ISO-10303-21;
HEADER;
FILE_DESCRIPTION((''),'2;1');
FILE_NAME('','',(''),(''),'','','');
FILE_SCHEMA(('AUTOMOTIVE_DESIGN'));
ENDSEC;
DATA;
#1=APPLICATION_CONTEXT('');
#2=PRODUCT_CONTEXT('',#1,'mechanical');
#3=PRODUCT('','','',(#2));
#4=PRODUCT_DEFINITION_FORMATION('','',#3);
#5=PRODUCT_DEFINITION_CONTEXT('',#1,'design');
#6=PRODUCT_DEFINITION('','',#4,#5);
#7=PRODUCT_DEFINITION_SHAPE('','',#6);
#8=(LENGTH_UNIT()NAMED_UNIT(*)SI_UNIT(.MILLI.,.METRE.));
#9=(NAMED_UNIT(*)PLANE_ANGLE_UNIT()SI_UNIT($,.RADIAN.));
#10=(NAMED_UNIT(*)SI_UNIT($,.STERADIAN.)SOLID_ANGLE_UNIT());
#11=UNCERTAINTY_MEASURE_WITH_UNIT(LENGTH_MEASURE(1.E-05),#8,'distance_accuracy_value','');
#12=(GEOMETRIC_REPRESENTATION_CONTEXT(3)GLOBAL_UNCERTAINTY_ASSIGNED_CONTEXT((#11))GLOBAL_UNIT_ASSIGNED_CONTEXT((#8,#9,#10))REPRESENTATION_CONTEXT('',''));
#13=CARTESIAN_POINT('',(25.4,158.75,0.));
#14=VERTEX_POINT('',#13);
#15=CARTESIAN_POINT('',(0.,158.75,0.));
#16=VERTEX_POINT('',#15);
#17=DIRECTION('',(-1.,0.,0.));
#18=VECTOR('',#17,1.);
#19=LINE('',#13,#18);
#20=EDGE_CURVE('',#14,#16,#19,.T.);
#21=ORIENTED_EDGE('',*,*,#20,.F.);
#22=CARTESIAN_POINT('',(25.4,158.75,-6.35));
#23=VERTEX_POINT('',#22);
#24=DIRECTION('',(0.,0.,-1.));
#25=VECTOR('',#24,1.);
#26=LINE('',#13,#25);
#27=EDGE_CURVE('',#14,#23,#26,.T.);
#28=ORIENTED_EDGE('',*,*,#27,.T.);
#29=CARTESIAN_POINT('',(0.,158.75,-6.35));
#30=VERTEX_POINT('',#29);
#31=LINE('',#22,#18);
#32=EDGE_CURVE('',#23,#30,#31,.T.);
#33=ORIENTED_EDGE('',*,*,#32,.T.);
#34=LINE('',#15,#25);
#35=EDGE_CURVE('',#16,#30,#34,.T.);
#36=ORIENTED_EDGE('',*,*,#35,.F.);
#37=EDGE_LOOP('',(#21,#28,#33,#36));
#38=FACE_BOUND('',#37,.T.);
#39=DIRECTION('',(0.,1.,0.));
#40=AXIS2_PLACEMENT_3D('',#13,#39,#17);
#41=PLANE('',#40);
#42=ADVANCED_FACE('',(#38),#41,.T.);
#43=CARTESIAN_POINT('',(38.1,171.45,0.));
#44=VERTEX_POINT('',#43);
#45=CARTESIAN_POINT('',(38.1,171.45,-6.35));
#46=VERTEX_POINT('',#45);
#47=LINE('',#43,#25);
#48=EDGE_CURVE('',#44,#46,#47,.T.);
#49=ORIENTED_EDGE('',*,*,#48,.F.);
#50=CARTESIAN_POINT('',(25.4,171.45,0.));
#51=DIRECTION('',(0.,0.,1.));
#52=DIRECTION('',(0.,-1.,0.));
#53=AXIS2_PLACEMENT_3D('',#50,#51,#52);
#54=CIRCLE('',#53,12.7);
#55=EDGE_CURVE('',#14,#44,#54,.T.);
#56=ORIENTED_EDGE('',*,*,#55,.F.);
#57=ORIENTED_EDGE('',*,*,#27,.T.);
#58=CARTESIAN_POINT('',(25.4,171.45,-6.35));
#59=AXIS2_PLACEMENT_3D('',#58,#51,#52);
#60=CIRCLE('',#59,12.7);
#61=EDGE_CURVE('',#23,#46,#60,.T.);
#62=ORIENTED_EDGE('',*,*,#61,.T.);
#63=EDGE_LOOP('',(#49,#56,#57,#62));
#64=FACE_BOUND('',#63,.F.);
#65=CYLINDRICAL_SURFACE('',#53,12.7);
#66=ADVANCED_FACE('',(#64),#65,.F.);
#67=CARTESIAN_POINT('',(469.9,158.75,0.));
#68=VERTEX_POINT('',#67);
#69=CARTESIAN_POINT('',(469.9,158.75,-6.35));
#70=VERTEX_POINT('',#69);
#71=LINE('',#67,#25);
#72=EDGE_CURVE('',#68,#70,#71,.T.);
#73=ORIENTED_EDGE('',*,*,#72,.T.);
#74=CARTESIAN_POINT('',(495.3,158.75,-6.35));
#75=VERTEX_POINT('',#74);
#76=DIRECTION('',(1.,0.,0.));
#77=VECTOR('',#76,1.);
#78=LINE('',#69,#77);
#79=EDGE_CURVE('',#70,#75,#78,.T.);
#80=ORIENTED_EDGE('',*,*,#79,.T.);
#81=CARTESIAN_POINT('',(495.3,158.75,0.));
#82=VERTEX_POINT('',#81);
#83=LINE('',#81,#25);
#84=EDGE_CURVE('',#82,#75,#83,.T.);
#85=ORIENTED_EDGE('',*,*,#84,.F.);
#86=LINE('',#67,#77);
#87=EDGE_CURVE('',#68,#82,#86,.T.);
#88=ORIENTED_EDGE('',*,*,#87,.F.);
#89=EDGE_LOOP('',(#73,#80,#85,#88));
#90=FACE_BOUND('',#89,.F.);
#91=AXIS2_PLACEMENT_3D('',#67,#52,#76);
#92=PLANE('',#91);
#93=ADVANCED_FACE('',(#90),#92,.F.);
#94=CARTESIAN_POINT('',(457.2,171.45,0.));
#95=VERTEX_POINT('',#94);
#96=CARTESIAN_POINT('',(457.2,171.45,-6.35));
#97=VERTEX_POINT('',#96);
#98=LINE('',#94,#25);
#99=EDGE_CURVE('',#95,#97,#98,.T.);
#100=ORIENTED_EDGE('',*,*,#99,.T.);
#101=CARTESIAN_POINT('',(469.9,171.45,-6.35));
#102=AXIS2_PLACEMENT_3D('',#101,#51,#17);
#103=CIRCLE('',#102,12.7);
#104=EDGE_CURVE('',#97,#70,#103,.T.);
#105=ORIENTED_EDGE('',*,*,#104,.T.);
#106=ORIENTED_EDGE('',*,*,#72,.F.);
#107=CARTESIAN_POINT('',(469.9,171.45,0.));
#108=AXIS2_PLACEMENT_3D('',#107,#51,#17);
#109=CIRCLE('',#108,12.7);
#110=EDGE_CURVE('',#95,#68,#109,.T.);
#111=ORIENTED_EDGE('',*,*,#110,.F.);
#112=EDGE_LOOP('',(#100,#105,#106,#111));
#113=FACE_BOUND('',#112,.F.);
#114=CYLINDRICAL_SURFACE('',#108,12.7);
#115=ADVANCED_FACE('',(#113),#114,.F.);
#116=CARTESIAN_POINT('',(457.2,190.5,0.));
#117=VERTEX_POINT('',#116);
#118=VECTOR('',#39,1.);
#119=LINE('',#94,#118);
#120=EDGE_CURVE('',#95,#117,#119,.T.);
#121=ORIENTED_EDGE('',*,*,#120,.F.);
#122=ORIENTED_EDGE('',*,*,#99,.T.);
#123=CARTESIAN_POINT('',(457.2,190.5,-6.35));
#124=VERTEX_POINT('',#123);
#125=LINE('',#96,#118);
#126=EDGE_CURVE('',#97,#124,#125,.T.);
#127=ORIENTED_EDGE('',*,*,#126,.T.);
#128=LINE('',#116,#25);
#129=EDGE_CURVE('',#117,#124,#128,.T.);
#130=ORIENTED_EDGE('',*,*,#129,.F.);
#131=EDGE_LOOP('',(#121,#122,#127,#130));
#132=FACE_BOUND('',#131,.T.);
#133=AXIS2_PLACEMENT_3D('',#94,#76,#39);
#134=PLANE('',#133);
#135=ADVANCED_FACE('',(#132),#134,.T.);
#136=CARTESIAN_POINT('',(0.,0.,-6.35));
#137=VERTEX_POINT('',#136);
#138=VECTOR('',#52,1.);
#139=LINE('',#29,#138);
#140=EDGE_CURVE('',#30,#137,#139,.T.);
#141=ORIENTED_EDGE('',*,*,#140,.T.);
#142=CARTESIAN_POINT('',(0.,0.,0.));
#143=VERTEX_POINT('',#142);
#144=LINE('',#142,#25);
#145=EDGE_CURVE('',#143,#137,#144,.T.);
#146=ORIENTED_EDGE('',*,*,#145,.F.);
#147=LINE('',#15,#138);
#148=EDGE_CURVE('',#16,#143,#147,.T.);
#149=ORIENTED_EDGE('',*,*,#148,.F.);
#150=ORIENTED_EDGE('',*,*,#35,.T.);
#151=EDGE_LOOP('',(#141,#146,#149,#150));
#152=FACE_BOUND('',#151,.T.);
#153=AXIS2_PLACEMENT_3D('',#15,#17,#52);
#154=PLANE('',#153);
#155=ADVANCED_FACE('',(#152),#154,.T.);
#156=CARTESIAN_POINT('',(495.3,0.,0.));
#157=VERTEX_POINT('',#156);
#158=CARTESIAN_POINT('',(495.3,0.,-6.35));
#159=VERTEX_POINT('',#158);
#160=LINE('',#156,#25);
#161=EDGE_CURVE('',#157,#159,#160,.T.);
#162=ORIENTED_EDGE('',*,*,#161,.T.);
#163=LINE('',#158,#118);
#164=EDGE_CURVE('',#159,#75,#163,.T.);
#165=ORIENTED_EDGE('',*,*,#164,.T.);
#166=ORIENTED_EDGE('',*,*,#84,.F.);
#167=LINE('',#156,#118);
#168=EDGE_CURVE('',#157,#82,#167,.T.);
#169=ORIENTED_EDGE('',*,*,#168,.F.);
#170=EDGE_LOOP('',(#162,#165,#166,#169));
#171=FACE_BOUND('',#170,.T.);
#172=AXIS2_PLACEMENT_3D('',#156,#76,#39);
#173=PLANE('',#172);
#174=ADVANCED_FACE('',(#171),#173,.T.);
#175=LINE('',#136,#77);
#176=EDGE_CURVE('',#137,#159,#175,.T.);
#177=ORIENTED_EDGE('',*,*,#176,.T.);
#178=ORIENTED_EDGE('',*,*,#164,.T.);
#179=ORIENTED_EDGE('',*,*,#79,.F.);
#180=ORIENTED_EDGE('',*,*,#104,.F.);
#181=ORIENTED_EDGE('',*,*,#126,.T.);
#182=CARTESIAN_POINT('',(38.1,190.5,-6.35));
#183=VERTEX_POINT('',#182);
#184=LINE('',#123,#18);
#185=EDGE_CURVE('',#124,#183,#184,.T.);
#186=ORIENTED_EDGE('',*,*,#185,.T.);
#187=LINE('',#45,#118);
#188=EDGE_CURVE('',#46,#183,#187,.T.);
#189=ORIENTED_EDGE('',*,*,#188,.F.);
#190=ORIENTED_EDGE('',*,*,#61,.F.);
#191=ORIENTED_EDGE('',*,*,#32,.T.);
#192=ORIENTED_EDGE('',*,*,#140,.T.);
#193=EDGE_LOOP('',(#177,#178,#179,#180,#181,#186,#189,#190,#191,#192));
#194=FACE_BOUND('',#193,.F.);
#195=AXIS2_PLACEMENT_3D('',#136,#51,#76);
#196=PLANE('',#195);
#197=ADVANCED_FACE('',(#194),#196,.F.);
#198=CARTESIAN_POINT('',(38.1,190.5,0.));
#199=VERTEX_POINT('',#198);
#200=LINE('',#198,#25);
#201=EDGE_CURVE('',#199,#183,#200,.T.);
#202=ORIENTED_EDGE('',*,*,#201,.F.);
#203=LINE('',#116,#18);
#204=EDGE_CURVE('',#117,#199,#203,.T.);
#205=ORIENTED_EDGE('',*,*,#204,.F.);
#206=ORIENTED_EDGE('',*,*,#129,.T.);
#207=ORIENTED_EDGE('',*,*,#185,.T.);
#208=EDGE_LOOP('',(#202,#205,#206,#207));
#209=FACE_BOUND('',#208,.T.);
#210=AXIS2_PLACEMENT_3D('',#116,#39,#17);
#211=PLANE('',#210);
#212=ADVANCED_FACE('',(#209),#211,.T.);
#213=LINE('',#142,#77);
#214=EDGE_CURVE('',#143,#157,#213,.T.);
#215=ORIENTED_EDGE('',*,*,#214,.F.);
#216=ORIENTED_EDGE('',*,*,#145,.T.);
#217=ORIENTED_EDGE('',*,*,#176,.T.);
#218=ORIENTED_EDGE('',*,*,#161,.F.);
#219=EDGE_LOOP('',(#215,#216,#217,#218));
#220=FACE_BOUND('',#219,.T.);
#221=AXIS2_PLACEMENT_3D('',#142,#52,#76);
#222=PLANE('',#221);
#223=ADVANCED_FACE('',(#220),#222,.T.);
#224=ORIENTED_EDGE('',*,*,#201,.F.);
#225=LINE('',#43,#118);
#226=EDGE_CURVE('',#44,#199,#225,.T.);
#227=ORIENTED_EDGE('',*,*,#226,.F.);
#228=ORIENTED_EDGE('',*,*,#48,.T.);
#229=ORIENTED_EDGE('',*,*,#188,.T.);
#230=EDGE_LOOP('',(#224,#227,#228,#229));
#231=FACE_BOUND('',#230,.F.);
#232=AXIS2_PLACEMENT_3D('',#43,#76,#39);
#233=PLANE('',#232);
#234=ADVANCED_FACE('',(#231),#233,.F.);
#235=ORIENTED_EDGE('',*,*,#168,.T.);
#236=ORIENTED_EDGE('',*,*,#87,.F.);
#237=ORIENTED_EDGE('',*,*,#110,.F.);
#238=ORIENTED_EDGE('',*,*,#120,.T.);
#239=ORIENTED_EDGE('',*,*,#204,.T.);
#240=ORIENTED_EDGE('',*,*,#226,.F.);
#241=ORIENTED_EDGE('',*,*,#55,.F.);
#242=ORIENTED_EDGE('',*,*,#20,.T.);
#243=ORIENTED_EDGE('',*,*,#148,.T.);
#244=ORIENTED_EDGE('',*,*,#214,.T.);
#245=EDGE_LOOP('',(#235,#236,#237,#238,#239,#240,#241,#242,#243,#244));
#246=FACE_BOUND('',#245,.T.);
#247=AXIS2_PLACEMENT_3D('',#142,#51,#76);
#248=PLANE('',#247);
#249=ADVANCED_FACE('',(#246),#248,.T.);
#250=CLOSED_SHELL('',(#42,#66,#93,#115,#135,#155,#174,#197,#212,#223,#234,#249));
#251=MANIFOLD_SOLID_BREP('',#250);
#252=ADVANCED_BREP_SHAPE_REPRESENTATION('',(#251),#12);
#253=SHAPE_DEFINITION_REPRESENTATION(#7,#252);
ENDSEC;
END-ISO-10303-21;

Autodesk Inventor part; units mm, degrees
ref_plane "YZ Plane" through (0, 0, 0) normal (1, 0, 0) x (0, 1, 0)
ref_plane "XZ Plane" through (0, 0, 0) normal (0, 1, 0) x (-1, 0, 0)
ref_plane "XY Plane" through (0, 0, 0) normal (0, 0, 1) x (1, 0, 0)
sketch "Sketch1" plane through (0, 0, 0) normal (0, 0, 1) x (1, 0, 0)
  line L0 (0, 0) -> (495.3, 0)
  line L1 (495.3, 0) -> (495.3, 158.75)
  line L2 (495.3, 190.5) -> (457.2, 190.5) construction
  line L3 (0, 190.5) -> (0, 158.75) construction
  arc A0 (25.4, 158.75) -> (38.1, 171.45) centre (25.4, 171.45) ccw
  arc A1 (457.2, 171.45) -> (469.9, 158.75) centre (469.9, 171.45) ccw
  line L4 (25.4, 158.75) -> (0, 158.75)
  line L5 (38.1, 171.45) -> (38.1, 190.5)
  line L6 (469.9, 158.75) -> (495.3, 158.75)
  line L7 (457.2, 171.45) -> (457.2, 190.5)
  line L8 (38.1, 190.5) -> (0, 190.5) construction
  line L9 (0, 158.75) -> (0, 0)
  line L10 (457.2, 190.5) -> (38.1, 190.5)
  line L11 (495.3, 158.75) -> (495.3, 190.5) construction
  dimension "d0" = 190.5
  dimension "d1" = 495.3
  dimension "d4" = 25.4
  dimension "d5" = 25.4
  dimension "d6" = 25.4
  dimension "d7" = 19.05
  dimension "d8" = 25.4
  dimension "d9" = 19.05
extrude "Extrusion1" add sketch "Sketch1" against normal blind 6.35
equation "\"d5\" = d4"
equation "\"d8\" = d6"
equation "\"d9\" = d7"
properties part number "manipulator side pannel"
